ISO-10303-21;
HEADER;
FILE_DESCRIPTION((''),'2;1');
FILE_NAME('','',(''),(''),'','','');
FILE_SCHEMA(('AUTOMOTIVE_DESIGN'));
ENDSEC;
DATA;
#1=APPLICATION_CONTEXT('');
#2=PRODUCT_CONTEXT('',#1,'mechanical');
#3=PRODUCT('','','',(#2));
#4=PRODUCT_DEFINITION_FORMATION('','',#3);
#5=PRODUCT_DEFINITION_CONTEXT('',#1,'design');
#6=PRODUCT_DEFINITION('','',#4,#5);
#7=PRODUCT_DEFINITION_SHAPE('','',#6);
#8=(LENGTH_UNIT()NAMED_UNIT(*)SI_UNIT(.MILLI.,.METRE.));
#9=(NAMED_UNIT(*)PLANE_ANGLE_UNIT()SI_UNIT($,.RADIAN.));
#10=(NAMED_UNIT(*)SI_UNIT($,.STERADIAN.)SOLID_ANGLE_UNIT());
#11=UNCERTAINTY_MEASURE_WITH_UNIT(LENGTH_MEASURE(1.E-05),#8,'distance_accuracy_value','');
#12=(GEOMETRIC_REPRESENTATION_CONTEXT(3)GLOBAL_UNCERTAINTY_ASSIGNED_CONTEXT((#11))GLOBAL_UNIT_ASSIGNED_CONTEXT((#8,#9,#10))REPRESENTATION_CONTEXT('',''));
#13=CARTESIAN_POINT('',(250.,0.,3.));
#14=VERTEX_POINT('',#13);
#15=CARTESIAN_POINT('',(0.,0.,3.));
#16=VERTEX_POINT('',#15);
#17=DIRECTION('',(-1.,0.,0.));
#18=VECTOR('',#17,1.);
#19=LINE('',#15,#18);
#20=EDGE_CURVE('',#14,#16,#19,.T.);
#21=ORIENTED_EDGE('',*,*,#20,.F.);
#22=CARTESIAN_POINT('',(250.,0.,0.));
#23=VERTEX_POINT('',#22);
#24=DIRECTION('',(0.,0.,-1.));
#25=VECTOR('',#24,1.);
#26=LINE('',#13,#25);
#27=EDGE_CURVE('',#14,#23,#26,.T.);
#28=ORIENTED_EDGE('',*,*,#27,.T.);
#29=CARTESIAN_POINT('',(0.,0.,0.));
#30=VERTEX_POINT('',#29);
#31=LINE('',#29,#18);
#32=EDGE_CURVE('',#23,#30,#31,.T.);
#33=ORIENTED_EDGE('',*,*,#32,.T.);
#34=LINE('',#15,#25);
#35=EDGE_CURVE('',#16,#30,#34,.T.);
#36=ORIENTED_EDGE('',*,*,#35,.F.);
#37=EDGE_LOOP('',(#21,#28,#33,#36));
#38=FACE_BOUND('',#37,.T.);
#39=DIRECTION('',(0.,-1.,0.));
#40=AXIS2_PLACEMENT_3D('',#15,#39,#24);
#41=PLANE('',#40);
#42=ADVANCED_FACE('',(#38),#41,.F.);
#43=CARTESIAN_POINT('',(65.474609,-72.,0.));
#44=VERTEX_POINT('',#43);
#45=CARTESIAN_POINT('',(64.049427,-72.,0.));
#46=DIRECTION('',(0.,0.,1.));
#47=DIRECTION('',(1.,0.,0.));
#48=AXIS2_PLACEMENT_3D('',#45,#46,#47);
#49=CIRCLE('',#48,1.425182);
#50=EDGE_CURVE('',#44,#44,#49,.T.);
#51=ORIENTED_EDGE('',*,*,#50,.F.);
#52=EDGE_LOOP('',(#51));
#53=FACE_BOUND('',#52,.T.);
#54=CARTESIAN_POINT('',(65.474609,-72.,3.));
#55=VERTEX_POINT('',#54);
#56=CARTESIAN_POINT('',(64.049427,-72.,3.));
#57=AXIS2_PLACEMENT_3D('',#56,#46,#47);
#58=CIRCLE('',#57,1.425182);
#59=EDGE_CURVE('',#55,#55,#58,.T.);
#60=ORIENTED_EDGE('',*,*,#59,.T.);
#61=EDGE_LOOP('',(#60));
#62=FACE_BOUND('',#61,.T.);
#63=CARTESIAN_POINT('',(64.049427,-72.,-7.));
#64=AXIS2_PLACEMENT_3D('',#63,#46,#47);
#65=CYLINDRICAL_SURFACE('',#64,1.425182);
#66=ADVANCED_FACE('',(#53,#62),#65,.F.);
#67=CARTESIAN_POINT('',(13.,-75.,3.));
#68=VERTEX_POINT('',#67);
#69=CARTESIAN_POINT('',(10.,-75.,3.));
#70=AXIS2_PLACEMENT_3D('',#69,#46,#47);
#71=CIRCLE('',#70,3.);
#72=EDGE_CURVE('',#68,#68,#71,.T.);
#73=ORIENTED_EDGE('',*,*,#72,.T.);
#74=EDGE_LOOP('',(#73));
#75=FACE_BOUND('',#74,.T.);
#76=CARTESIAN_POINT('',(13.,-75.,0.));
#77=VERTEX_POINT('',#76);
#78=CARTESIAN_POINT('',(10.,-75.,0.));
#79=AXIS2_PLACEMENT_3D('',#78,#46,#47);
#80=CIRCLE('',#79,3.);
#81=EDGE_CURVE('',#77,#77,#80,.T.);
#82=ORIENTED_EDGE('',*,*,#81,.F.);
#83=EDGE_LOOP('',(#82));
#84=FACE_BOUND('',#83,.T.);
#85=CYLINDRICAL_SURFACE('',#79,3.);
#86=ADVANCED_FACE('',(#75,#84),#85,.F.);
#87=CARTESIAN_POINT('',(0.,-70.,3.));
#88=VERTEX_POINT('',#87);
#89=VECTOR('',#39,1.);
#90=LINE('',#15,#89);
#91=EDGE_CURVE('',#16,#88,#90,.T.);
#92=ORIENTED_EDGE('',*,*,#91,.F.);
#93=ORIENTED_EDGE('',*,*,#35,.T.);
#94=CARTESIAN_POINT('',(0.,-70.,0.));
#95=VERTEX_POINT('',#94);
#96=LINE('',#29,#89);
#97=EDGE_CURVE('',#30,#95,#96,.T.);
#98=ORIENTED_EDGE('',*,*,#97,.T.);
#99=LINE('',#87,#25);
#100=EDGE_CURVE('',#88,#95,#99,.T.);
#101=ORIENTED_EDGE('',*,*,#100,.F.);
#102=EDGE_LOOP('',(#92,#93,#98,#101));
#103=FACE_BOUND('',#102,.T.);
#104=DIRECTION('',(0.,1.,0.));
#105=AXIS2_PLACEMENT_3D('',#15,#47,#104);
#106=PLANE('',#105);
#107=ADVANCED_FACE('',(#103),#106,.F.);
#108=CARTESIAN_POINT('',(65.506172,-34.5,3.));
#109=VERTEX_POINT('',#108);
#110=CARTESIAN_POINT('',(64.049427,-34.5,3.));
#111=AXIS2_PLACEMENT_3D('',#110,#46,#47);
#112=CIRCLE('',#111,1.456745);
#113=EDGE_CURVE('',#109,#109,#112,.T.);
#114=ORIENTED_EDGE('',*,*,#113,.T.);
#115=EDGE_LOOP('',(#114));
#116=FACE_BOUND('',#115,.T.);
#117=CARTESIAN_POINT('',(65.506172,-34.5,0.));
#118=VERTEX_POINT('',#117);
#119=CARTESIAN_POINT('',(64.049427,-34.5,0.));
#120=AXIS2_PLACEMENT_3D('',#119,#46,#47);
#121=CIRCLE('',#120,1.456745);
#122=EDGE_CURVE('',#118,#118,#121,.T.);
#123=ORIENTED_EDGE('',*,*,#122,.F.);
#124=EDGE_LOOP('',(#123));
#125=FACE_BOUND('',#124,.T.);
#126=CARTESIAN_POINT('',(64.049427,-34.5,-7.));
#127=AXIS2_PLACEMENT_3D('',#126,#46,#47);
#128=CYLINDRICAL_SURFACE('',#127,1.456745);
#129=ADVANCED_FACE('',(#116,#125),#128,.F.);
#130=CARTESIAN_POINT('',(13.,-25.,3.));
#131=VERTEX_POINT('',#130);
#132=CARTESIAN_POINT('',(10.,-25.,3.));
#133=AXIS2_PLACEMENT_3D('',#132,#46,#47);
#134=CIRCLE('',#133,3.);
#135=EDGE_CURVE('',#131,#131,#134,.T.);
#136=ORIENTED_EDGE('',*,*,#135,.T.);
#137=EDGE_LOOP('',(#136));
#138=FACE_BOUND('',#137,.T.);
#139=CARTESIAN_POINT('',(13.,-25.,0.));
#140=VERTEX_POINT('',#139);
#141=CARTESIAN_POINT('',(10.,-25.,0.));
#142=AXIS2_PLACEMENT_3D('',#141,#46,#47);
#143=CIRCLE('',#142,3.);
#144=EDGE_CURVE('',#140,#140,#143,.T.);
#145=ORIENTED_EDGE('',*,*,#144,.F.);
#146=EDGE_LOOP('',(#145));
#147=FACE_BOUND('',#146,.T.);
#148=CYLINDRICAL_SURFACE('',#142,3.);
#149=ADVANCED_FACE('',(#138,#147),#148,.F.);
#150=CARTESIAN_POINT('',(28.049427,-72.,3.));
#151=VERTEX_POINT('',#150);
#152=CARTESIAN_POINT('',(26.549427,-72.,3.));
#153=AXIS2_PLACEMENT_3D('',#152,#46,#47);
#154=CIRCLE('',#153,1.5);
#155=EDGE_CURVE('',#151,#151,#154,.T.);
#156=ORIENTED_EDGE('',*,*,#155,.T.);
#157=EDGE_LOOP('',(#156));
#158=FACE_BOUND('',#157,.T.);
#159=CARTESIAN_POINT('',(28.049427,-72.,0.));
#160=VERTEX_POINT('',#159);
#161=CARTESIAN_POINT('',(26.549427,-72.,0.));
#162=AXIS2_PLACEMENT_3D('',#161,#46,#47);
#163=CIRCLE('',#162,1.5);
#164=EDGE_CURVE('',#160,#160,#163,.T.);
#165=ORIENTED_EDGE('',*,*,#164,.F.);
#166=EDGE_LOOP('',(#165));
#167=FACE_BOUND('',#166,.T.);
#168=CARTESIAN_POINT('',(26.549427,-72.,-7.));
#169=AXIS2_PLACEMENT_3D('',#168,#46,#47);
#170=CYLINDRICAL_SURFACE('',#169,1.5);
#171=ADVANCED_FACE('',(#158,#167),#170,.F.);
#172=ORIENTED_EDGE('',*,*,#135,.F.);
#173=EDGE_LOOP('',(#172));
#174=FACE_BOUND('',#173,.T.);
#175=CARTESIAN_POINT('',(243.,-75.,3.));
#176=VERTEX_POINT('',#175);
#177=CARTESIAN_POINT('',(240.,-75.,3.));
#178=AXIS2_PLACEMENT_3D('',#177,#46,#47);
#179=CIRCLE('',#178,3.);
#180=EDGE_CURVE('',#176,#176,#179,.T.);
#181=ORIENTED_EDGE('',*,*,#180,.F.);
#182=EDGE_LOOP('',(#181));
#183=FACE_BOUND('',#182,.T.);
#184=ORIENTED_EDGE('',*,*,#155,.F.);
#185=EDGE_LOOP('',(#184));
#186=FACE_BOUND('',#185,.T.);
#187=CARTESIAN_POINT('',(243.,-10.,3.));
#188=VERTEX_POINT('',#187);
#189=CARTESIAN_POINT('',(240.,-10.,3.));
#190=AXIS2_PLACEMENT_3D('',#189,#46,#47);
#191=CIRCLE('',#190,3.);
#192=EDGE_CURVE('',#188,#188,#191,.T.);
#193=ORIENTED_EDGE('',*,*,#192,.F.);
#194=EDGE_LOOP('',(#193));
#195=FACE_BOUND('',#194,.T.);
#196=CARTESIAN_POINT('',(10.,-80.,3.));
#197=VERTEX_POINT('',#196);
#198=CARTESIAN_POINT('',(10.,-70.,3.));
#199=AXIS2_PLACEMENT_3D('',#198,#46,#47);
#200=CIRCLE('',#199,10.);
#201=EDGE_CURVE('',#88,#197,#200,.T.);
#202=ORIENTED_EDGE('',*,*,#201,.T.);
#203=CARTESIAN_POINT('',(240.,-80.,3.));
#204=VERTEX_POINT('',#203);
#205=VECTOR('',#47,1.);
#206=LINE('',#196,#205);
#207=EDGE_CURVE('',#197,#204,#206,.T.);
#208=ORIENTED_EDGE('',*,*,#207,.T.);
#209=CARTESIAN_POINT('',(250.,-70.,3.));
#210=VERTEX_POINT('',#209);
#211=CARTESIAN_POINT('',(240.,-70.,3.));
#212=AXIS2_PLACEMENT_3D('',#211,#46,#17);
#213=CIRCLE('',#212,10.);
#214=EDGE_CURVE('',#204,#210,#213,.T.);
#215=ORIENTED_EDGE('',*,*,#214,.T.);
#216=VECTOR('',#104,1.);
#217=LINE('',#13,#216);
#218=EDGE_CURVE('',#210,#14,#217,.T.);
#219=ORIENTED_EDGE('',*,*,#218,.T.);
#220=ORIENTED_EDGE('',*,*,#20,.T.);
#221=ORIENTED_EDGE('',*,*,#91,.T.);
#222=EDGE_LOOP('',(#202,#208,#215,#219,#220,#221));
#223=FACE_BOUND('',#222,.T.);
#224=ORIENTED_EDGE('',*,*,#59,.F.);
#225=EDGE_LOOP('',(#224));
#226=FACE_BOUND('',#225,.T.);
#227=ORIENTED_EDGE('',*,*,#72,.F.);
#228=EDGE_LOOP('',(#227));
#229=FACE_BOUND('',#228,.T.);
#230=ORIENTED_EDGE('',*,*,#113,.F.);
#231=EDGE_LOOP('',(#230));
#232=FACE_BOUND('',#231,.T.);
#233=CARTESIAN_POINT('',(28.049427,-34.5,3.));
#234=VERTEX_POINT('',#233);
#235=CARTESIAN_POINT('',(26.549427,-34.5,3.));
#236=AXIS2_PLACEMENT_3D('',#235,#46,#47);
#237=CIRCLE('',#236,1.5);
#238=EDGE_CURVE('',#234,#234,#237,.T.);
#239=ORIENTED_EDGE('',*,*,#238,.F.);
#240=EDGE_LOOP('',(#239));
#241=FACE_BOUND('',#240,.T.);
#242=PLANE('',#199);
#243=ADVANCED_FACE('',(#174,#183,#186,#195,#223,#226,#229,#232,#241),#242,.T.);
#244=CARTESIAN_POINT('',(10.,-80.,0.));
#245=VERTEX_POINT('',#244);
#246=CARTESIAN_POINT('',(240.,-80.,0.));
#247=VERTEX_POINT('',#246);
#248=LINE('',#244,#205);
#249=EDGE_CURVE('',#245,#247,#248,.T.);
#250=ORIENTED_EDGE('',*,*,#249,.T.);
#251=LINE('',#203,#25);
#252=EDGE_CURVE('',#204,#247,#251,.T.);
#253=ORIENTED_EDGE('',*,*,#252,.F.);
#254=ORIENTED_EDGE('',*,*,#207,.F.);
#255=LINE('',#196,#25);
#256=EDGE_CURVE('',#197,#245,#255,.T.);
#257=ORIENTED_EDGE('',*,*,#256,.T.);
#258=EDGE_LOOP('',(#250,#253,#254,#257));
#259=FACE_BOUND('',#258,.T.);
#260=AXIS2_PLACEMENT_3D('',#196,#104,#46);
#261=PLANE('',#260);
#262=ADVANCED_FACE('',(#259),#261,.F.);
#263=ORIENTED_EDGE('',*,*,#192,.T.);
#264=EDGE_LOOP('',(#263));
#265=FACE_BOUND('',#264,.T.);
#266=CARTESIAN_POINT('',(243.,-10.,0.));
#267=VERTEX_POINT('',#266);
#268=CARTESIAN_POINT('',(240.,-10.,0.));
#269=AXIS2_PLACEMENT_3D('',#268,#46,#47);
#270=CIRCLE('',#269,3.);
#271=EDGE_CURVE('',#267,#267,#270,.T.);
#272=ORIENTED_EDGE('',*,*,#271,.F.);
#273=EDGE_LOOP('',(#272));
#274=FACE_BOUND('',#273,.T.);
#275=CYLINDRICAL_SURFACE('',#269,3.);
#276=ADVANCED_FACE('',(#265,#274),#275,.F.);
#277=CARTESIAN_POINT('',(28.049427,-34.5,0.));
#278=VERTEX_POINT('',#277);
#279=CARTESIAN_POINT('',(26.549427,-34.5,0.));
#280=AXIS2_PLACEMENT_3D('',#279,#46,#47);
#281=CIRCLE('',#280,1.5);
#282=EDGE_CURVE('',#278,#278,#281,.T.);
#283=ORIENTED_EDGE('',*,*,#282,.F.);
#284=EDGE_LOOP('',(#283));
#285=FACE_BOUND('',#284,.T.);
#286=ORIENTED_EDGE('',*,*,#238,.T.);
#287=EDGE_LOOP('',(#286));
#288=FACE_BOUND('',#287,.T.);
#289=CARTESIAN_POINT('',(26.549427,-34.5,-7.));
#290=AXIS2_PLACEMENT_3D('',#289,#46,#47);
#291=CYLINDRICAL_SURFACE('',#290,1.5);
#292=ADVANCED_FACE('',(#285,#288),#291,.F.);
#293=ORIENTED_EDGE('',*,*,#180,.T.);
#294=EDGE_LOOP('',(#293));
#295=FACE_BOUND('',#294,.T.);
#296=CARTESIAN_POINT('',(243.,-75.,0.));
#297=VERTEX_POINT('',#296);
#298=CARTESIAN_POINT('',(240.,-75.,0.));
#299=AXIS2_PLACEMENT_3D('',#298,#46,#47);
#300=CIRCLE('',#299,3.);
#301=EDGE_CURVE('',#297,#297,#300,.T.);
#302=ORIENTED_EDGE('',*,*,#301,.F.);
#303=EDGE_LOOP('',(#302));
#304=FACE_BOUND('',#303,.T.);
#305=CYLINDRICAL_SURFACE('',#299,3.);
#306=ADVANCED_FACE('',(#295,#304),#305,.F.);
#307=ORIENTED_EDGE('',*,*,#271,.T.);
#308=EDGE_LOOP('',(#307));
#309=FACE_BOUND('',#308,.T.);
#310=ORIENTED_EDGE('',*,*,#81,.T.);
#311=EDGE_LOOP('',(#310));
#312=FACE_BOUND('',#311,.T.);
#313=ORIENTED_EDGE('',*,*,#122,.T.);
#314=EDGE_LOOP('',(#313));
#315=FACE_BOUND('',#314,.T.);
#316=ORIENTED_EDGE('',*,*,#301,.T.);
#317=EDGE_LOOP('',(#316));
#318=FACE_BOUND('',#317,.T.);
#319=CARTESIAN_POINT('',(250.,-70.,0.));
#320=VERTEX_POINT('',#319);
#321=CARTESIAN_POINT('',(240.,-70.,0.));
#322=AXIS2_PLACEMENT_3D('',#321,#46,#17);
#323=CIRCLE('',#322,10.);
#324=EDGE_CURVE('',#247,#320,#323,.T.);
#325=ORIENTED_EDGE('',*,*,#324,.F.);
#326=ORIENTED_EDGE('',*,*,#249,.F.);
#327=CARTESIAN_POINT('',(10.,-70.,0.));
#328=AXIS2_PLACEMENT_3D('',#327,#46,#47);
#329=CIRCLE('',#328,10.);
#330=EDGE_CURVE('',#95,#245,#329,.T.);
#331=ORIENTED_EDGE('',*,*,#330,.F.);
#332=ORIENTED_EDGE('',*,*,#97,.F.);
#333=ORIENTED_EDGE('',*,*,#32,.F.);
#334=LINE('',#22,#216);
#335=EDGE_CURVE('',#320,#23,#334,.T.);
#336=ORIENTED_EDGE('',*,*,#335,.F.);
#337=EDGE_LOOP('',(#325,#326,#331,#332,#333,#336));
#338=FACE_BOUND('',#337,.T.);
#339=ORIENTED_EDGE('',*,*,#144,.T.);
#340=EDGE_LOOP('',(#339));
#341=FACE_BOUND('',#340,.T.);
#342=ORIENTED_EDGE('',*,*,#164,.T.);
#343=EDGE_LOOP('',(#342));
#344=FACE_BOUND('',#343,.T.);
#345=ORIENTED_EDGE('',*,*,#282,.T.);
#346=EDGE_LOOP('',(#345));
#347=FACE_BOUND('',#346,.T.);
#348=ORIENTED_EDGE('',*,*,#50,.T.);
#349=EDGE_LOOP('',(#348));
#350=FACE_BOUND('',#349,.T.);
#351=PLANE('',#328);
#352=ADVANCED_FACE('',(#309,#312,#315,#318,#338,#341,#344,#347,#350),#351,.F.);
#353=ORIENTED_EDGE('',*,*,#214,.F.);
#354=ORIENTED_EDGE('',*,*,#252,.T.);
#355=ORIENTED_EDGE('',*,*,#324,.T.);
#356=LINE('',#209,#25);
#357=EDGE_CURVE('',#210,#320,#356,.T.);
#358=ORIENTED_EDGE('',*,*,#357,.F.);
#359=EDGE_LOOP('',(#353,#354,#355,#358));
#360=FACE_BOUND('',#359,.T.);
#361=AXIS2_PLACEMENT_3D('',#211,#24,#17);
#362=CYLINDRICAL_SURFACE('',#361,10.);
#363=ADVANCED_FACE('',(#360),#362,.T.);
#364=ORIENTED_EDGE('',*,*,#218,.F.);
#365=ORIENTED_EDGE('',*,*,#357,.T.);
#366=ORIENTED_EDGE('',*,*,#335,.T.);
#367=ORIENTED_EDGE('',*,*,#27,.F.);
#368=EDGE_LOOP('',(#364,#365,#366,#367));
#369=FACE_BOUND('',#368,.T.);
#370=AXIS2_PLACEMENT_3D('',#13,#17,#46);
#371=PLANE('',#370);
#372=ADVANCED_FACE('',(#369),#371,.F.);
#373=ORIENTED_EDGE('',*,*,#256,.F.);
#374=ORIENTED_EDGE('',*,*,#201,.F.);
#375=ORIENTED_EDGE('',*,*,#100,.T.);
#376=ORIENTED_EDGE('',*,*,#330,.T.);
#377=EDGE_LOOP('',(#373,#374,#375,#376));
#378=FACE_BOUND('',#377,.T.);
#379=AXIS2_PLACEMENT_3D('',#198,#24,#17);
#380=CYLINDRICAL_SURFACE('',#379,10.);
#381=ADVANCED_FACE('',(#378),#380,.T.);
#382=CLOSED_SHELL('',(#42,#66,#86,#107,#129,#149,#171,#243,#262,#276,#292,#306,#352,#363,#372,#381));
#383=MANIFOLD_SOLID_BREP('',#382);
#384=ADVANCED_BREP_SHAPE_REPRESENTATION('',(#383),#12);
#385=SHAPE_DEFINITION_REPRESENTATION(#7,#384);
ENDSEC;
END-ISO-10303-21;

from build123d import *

# Parameters (mm, degrees)
BOSS_EXTRU_1_DEPTH      = 3
ESQUISSE2_R             = 3
ENL_V_MAT_EXTRU_1_DEPTH = 3
ESQUISSE3_R             = 1.5
ESQUISSE3_R_2           = 1.456745064
ESQUISSE3_R_3           = 1.425181728
ENL_V_MAT_EXTRU_2_DEPTH = 10


with BuildPart() as part:
    # Esquisse1 → Boss.-Extru.1 (new body)
    with BuildSketch(Plane.XY):
        with BuildLine():
            Line((0, 0), (250, 0))
            Line((250, 0), (250, -70))
            ThreePointArc((250, -70), (247.071067812, -77.071067812), (240, -80))
            Line((240, -80), (10, -80))
            ThreePointArc((10, -80), (2.928932188, -77.071067812), (0, -70))
            Line((0, -70), (0, 0))
        make_face()
    extrude(amount=BOSS_EXTRU_1_DEPTH)

    # Esquisse2 → Enlèv. mat.-Extru.1 (cut)
    with BuildSketch(Plane.XY.offset(3)):
        with Locations((10, -75)):
            Circle(ESQUISSE2_R)
        with Locations((240, -75)):
            Circle(ESQUISSE2_R)
        with Locations((240, -10)):
            Circle(ESQUISSE2_R)
        with Locations((10, -25)):
            Circle(ESQUISSE2_R)
    extrude(amount=-ENL_V_MAT_EXTRU_1_DEPTH, mode=Mode.SUBTRACT)

    # Esquisse3 → Enlèv. mat.-Extru.2 (cut)
    with BuildSketch(Plane.XY.offset(3)):
        with Locations((26.549426967, -34.5)):
            Circle(ESQUISSE3_R)
        with Locations((64.049426967, -34.5)):
            Circle(ESQUISSE3_R_2)
        with Locations((64.049426967, -72)):
            Circle(ESQUISSE3_R_3)
        with Locations((26.549426967, -72)):
            Circle(ESQUISSE3_R)
    extrude(amount=-ENL_V_MAT_EXTRU_2_DEPTH, mode=Mode.SUBTRACT)


solid = part.part
